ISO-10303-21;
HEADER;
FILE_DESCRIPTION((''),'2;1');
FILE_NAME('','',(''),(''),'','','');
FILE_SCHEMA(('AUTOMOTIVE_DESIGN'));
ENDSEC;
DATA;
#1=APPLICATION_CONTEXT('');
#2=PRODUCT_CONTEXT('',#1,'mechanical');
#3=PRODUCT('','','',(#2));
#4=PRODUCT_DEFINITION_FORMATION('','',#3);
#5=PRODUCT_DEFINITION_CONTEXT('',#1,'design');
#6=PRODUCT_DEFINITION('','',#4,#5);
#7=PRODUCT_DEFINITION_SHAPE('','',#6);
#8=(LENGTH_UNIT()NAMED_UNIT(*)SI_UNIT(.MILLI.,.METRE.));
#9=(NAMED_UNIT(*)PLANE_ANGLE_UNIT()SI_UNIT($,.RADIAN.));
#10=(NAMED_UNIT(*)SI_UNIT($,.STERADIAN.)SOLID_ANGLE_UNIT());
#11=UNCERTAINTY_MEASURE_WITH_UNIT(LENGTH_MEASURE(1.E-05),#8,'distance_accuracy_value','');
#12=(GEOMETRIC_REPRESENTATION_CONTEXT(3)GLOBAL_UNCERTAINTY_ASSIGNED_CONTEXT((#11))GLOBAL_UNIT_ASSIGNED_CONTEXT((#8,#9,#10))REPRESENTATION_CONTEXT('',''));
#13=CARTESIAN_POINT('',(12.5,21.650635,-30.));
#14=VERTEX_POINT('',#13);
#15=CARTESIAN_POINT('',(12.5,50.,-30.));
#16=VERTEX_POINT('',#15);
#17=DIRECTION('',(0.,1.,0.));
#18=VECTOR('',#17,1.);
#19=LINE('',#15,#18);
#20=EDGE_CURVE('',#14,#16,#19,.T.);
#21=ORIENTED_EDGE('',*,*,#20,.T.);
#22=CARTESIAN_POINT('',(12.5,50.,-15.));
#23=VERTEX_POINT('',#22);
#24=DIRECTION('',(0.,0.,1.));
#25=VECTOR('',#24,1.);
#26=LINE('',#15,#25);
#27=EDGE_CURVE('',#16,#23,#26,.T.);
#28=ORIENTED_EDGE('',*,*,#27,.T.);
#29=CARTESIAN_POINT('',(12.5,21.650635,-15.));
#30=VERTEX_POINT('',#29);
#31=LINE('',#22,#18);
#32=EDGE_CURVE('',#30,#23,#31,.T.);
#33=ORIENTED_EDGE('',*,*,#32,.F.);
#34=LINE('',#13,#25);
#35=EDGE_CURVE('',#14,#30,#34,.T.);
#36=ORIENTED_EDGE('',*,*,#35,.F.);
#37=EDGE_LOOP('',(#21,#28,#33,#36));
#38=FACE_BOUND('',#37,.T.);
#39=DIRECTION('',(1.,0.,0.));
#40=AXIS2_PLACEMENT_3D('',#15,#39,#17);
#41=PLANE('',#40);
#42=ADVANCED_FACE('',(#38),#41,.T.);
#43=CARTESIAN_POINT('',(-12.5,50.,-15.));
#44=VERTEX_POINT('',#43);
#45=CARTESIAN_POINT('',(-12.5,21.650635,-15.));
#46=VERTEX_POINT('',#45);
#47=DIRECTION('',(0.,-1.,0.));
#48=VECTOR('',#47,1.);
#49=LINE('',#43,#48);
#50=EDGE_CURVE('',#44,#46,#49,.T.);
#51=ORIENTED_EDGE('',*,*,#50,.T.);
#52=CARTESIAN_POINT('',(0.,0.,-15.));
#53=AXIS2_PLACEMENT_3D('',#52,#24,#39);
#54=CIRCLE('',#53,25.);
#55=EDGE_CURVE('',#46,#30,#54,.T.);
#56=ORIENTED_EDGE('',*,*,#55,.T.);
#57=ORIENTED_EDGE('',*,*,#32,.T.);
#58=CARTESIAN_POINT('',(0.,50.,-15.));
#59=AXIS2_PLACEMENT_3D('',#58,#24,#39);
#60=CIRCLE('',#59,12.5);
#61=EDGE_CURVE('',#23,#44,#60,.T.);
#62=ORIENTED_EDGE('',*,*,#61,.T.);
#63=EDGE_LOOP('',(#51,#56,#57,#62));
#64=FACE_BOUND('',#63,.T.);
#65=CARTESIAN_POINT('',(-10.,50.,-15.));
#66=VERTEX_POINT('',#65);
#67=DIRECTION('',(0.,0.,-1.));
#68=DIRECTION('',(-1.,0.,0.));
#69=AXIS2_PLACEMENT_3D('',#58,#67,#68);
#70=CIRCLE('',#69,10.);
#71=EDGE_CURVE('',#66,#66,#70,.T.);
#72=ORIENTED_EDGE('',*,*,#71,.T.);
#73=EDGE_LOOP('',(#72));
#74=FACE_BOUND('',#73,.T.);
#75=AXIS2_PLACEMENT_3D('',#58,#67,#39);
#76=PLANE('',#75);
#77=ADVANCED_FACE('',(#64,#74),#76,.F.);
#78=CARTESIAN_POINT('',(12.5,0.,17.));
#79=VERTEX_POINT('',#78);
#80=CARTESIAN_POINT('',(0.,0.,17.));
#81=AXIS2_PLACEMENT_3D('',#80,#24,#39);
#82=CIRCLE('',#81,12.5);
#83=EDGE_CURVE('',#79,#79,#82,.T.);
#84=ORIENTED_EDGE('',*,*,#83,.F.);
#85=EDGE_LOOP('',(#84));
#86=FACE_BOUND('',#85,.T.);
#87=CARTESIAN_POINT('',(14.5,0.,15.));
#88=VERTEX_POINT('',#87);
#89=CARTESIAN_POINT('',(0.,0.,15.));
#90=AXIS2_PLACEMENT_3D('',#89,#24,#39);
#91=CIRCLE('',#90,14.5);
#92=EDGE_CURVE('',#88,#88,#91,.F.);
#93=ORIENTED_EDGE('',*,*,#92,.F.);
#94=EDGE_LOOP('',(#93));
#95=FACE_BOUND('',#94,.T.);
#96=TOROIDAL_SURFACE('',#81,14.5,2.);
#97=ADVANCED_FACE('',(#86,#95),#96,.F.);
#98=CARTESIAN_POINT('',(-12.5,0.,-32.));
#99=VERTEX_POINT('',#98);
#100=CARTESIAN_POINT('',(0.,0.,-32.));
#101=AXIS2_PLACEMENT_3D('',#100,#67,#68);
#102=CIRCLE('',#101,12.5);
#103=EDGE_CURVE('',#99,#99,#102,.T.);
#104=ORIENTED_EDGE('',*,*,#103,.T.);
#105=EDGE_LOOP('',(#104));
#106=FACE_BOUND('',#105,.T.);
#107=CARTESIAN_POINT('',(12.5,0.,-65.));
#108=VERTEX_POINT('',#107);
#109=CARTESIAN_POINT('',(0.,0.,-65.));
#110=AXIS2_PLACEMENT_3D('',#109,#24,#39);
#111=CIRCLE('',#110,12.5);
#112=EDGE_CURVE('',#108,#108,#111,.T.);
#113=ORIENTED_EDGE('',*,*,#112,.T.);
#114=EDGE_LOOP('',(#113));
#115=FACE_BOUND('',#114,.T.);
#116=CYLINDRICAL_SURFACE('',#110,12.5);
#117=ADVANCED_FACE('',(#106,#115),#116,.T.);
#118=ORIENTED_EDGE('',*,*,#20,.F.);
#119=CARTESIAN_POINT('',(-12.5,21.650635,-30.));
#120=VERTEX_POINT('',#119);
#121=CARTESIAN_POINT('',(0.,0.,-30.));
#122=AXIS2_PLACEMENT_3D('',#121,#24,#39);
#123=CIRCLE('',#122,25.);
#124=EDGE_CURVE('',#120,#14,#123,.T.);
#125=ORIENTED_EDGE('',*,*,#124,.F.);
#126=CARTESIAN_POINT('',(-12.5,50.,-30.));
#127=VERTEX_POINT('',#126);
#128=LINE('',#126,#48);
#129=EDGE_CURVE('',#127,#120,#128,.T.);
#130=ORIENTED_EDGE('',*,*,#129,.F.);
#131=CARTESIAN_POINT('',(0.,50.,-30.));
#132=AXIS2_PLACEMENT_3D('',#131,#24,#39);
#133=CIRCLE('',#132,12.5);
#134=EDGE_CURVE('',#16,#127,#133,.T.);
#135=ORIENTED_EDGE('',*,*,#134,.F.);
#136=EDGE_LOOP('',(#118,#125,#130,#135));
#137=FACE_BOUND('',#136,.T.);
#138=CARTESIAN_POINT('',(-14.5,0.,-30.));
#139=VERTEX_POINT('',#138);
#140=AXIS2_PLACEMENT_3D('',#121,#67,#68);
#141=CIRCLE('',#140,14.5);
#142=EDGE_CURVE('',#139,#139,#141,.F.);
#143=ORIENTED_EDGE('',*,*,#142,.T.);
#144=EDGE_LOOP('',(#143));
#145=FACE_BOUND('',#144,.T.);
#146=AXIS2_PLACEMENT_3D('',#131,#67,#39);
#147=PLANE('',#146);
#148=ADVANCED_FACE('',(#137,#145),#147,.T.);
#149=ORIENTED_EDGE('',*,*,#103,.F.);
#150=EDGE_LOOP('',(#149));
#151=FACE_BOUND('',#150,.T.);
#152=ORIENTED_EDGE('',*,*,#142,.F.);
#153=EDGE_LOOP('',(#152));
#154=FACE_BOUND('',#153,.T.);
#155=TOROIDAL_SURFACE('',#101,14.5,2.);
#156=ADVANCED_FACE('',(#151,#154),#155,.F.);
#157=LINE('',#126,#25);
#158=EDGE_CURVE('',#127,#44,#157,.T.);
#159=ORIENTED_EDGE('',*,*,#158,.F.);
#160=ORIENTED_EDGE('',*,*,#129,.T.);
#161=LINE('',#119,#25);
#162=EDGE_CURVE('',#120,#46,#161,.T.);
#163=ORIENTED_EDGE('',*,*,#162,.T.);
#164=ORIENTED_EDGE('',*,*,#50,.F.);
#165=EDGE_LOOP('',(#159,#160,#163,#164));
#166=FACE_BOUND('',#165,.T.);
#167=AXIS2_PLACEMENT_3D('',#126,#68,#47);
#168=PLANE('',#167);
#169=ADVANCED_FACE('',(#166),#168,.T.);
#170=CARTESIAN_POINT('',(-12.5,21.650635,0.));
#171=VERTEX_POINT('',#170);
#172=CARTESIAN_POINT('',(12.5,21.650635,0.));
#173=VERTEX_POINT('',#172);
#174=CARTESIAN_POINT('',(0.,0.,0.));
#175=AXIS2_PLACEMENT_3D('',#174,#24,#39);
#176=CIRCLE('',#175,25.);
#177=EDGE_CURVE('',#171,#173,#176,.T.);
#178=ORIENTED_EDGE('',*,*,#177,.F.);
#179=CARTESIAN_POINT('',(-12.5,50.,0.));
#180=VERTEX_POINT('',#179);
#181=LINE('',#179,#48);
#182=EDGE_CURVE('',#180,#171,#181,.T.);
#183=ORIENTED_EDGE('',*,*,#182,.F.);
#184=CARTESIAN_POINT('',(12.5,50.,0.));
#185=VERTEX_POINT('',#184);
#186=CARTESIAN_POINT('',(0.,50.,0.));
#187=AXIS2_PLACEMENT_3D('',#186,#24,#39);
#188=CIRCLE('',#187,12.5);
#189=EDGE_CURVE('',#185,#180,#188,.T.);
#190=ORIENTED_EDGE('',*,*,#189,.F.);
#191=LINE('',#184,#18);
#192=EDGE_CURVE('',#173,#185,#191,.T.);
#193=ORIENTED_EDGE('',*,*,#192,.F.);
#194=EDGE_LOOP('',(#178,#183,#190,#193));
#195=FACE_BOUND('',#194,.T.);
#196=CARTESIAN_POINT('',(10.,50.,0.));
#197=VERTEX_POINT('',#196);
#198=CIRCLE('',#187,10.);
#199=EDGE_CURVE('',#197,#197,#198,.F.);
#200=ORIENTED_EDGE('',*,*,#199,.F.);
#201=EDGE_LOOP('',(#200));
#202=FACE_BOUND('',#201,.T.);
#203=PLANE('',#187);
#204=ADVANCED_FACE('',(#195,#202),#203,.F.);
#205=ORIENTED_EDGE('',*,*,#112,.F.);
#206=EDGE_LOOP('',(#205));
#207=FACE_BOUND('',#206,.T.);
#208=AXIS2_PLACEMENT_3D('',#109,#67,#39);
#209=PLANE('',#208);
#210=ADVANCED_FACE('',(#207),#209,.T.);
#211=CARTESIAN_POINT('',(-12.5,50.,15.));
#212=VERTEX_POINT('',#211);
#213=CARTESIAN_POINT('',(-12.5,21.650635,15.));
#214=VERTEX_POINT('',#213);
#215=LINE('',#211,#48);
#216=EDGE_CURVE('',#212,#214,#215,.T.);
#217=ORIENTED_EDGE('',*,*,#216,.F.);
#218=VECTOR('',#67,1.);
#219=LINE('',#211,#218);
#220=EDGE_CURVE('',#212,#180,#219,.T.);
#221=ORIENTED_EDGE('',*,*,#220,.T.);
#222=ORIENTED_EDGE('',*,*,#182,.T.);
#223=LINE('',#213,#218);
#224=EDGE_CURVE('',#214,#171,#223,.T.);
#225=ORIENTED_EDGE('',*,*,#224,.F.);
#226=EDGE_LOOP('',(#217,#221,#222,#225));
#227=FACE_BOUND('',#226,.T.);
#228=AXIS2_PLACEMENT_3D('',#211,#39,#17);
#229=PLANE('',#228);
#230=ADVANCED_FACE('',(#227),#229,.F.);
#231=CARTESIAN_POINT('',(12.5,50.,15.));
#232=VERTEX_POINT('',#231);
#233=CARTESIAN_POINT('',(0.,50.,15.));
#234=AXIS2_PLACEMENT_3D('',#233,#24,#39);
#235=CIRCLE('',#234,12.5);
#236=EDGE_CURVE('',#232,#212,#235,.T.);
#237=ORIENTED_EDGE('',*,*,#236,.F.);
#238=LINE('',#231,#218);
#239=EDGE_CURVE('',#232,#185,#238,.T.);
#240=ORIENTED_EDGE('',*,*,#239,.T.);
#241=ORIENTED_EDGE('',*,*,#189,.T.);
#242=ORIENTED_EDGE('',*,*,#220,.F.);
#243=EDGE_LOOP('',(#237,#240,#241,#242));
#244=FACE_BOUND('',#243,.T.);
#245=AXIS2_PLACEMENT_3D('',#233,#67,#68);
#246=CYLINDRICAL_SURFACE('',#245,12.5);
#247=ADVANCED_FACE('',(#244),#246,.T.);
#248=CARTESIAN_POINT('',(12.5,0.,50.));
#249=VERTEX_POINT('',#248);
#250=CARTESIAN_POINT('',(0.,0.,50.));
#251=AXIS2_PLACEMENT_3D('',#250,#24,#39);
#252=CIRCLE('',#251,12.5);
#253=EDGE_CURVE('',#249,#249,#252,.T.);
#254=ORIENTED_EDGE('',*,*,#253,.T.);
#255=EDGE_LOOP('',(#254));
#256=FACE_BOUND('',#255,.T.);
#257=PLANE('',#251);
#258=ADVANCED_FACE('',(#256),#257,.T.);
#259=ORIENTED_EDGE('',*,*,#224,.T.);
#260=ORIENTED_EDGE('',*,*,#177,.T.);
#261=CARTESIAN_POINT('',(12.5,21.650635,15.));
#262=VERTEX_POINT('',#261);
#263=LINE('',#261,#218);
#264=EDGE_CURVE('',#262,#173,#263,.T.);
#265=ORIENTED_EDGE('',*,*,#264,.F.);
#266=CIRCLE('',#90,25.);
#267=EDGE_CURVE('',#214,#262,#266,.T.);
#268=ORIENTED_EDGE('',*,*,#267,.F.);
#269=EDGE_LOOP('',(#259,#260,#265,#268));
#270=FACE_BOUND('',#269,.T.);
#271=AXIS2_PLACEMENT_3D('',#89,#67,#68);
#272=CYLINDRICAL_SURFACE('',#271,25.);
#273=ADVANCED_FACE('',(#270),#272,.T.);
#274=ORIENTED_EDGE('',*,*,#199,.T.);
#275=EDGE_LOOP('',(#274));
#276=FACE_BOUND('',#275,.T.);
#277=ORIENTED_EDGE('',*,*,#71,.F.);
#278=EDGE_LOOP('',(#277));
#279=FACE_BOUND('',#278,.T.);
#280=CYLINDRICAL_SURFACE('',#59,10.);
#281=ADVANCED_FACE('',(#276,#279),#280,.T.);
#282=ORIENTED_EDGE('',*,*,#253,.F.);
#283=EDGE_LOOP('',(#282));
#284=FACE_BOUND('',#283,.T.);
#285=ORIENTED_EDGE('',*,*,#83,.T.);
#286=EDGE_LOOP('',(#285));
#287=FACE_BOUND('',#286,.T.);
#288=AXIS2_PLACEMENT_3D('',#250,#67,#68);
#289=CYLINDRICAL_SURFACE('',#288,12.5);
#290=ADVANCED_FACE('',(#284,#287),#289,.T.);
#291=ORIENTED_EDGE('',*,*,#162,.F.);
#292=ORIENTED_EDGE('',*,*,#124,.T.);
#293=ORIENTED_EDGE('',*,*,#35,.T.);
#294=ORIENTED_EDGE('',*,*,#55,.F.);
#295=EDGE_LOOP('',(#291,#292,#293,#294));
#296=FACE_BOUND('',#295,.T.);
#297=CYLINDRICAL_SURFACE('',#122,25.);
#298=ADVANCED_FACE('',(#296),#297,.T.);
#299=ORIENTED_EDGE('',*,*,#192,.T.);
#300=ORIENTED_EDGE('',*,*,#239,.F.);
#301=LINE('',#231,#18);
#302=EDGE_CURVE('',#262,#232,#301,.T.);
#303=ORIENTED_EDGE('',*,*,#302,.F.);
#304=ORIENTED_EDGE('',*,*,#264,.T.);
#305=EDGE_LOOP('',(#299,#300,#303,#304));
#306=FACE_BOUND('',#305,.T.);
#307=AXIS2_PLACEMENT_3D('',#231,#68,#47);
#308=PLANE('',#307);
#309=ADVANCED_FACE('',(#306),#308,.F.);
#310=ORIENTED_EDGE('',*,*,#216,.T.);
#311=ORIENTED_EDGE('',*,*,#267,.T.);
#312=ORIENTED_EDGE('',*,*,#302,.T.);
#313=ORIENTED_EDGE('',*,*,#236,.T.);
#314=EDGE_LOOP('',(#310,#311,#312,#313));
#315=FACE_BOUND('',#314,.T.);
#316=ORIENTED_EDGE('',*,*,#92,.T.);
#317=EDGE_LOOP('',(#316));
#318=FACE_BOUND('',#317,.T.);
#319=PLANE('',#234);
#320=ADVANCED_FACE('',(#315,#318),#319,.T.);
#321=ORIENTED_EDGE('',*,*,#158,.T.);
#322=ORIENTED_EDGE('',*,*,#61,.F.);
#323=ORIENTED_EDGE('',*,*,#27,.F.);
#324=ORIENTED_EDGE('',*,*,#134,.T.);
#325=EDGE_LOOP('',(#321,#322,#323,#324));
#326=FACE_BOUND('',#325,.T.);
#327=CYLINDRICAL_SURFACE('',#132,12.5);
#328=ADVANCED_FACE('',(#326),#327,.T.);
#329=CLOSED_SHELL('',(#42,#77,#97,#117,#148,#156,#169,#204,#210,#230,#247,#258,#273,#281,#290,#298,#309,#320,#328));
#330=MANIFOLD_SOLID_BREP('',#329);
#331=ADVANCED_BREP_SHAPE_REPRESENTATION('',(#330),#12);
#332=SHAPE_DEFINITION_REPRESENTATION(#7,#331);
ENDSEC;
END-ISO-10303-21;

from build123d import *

# Parameters (mm, degrees)
BOSS_EXTRUDE1_DEPTH  = 15
SKETCH2_R            = 12.5
BOSS_EXTRUDE2_DEPTH  = 35
FILLET1_R            = 2
SKETCH3_R            = 10
BOSS_EXTRUDE3_DEPTH  = 15
FILLET1_OF_MIRROR1_R = 2


with BuildPart() as part:
    # Sketch1 → Boss-Extrude1 (new body)
    with BuildSketch(Plane.XY):
        with BuildLine():
            Line((-12.5, 50), (-12.5, 21.650635095))
            ThreePointArc((-12.5, 21.650635095), (0, -25), (12.5, 21.650635095))
            Line((12.5, 21.650635095), (12.5, 50))
            ThreePointArc((12.5, 50), (0, 62.5), (-12.5, 50))
        make_face()
    boss_extrude1 = extrude(amount=BOSS_EXTRUDE1_DEPTH)

    # Sketch2 → Boss-Extrude2 (add)
    with BuildSketch(Plane.XY.offset(15)):
        Circle(SKETCH2_R)
    boss_extrude2 = extrude(amount=BOSS_EXTRUDE2_DEPTH)

    # Fillet1
    fillet1_edges = [part.edges().sort_by_distance(p)[0] for p in [
        (-12.5, 0, 15),
    ]]
    fillet(fillet1_edges, radius=FILLET1_R)

    # Sketch3 → Boss-Extrude3 (add)
    with BuildSketch(Plane(origin=(0, 0, 0), x_dir=(-1, 0, 0), z_dir=(0, 0, -1))):
        with Locations((0, 50)):
            Circle(SKETCH3_R)
    extrude(amount=BOSS_EXTRUDE3_DEPTH)

    # Mirror1: Boss-Extrude1, Boss-Extrude2 across plane
    add(boss_extrude1.mirror(Plane.XY.offset(-7.5)))
    add(boss_extrude2.mirror(Plane.XY.offset(-7.5)))

    # Fillet1 of Mirror1
    fillet1_of_mirror1_edges = [part.edges().sort_by_distance(p)[0] for p in [
        (-12.5, 0, -30),
    ]]
    fillet(fillet1_of_mirror1_edges, radius=FILLET1_OF_MIRROR1_R)


solid = part.part
